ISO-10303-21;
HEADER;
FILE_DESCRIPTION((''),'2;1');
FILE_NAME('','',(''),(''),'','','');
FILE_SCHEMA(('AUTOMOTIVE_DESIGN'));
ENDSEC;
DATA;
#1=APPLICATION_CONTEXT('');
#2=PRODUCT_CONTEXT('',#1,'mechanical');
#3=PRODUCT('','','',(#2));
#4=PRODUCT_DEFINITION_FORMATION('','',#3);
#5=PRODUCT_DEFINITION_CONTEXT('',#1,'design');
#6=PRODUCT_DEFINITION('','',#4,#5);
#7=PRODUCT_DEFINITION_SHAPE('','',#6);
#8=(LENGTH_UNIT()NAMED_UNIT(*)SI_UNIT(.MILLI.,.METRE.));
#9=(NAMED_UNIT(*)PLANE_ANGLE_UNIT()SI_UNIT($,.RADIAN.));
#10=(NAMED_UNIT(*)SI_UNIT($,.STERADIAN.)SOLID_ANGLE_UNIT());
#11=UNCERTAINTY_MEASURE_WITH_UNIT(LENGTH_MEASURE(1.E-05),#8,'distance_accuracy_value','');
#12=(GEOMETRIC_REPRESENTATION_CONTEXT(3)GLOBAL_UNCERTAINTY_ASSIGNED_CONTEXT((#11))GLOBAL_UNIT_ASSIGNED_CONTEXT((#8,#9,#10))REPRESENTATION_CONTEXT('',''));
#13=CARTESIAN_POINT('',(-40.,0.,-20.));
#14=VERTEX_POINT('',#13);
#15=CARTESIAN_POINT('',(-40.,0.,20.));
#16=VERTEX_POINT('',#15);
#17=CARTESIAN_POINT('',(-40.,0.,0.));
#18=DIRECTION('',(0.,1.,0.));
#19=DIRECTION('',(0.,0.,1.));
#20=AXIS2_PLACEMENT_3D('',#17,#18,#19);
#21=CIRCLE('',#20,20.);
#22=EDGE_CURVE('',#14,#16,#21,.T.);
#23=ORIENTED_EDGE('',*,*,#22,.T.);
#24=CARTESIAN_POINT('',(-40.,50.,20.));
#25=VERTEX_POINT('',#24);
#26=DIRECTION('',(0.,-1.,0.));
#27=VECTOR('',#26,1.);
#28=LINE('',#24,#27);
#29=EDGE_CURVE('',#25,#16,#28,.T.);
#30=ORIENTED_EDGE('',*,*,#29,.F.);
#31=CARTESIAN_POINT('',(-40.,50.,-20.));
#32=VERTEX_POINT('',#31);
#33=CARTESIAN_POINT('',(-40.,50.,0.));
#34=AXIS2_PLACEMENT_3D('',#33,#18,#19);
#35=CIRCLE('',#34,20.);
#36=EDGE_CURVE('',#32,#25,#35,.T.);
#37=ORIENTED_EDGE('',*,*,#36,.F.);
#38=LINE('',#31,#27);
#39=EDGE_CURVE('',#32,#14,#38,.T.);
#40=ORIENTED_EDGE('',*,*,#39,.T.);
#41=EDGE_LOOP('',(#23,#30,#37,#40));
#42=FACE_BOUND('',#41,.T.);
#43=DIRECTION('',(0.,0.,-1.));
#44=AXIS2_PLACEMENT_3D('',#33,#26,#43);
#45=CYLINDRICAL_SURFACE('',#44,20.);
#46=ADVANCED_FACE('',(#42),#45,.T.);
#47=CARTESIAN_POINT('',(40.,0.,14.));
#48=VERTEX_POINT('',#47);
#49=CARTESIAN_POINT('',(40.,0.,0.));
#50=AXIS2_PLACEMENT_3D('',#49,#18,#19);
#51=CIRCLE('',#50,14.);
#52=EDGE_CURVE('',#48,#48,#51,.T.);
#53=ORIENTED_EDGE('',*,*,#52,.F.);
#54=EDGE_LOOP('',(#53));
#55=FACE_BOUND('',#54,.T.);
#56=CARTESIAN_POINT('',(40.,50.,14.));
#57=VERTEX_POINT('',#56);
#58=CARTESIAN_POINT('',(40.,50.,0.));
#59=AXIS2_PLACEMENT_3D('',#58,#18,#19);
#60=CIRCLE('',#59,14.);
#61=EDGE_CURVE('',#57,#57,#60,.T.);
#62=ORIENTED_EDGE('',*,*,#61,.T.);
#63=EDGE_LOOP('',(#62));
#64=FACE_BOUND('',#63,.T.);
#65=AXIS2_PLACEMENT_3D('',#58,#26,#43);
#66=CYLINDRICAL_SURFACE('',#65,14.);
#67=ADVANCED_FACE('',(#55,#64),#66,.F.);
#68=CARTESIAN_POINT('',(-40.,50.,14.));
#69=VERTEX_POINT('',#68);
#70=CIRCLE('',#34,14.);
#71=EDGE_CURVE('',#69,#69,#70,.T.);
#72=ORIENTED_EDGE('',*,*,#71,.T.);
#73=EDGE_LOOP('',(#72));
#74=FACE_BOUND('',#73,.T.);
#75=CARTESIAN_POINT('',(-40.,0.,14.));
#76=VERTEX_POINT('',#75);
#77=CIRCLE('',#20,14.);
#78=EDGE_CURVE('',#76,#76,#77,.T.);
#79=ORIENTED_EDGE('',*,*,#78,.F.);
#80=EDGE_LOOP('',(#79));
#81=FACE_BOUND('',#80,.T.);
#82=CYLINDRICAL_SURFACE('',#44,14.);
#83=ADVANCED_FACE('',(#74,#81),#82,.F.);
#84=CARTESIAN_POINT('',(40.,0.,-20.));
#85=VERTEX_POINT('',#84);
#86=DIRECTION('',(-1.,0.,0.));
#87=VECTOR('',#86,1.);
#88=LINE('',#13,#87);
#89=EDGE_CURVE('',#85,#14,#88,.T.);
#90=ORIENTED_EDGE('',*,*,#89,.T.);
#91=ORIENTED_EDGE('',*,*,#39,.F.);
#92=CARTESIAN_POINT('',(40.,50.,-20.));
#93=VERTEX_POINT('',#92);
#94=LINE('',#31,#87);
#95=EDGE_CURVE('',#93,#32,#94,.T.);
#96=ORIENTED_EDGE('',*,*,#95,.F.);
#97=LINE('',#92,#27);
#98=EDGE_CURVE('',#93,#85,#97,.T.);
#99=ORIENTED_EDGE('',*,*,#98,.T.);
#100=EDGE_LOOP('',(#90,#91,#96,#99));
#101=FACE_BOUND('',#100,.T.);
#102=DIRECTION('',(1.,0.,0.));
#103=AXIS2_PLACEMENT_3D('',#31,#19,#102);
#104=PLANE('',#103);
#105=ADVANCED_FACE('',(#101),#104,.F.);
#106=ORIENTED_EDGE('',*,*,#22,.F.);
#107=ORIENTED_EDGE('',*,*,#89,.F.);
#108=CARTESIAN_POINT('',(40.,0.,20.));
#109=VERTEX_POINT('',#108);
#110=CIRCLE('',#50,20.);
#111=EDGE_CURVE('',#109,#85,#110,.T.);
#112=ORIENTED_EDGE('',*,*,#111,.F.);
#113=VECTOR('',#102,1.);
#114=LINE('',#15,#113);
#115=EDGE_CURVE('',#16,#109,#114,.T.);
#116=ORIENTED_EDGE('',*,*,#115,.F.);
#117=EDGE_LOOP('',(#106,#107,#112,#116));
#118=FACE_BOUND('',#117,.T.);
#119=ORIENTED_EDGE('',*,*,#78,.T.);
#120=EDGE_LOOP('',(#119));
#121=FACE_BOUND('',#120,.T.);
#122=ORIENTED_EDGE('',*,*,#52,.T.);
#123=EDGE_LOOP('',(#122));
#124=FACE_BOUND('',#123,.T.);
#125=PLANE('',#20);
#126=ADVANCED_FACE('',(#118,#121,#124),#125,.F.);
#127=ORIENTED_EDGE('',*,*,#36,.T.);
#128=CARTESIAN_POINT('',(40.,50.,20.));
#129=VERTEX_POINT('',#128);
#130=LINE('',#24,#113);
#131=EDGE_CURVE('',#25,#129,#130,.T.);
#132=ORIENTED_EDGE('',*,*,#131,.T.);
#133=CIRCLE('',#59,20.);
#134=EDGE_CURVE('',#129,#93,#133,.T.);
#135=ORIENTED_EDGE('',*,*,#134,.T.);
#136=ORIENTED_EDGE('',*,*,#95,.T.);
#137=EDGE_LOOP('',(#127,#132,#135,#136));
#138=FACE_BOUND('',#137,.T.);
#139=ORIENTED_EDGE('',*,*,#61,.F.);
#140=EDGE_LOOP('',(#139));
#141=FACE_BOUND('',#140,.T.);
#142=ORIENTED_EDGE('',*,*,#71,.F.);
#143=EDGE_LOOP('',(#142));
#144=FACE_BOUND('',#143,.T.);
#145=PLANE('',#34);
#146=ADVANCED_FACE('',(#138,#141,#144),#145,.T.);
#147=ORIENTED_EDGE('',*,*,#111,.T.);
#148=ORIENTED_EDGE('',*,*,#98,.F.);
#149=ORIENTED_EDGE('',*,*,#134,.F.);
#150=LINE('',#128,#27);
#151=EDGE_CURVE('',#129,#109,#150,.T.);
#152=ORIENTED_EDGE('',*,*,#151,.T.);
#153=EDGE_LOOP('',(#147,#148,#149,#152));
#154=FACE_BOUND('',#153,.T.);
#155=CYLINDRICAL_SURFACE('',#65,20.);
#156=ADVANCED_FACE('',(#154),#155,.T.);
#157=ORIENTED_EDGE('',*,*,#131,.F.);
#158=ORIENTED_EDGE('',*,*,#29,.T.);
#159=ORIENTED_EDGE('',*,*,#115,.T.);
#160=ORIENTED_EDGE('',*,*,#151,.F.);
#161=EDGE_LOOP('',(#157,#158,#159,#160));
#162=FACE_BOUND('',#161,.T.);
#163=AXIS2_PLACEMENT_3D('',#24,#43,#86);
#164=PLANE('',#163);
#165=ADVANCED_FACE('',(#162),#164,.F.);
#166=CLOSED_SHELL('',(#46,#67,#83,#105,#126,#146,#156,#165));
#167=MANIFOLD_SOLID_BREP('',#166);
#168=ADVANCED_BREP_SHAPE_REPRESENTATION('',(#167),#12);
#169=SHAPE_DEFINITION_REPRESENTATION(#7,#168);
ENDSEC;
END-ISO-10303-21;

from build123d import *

# Parameters (mm, degrees)
SKETCH1_R           = 14
BOSS_EXTRUDE1_DEPTH = 50


with BuildPart() as part:
    # Sketch1 → Boss-Extrude1 (new body)
    with BuildSketch(Plane(origin=(0, 0, 0), x_dir=(1, 0, 0), z_dir=(0, 1, 0))):
        with BuildLine():
            Line((-40, 20), (40, 20))
            ThreePointArc((40, 20), (60, 0), (40, -20))
            Line((40, -20), (-40, -20))
            ThreePointArc((-40, -20), (-60, 0), (-40, 20))
        make_face()
        with Locations((40, 0)):
            Circle(SKETCH1_R, mode=Mode.SUBTRACT)
        with Locations((-40, 0)):
            Circle(SKETCH1_R, mode=Mode.SUBTRACT)
    extrude(amount=BOSS_EXTRUDE1_DEPTH)


solid = part.part
